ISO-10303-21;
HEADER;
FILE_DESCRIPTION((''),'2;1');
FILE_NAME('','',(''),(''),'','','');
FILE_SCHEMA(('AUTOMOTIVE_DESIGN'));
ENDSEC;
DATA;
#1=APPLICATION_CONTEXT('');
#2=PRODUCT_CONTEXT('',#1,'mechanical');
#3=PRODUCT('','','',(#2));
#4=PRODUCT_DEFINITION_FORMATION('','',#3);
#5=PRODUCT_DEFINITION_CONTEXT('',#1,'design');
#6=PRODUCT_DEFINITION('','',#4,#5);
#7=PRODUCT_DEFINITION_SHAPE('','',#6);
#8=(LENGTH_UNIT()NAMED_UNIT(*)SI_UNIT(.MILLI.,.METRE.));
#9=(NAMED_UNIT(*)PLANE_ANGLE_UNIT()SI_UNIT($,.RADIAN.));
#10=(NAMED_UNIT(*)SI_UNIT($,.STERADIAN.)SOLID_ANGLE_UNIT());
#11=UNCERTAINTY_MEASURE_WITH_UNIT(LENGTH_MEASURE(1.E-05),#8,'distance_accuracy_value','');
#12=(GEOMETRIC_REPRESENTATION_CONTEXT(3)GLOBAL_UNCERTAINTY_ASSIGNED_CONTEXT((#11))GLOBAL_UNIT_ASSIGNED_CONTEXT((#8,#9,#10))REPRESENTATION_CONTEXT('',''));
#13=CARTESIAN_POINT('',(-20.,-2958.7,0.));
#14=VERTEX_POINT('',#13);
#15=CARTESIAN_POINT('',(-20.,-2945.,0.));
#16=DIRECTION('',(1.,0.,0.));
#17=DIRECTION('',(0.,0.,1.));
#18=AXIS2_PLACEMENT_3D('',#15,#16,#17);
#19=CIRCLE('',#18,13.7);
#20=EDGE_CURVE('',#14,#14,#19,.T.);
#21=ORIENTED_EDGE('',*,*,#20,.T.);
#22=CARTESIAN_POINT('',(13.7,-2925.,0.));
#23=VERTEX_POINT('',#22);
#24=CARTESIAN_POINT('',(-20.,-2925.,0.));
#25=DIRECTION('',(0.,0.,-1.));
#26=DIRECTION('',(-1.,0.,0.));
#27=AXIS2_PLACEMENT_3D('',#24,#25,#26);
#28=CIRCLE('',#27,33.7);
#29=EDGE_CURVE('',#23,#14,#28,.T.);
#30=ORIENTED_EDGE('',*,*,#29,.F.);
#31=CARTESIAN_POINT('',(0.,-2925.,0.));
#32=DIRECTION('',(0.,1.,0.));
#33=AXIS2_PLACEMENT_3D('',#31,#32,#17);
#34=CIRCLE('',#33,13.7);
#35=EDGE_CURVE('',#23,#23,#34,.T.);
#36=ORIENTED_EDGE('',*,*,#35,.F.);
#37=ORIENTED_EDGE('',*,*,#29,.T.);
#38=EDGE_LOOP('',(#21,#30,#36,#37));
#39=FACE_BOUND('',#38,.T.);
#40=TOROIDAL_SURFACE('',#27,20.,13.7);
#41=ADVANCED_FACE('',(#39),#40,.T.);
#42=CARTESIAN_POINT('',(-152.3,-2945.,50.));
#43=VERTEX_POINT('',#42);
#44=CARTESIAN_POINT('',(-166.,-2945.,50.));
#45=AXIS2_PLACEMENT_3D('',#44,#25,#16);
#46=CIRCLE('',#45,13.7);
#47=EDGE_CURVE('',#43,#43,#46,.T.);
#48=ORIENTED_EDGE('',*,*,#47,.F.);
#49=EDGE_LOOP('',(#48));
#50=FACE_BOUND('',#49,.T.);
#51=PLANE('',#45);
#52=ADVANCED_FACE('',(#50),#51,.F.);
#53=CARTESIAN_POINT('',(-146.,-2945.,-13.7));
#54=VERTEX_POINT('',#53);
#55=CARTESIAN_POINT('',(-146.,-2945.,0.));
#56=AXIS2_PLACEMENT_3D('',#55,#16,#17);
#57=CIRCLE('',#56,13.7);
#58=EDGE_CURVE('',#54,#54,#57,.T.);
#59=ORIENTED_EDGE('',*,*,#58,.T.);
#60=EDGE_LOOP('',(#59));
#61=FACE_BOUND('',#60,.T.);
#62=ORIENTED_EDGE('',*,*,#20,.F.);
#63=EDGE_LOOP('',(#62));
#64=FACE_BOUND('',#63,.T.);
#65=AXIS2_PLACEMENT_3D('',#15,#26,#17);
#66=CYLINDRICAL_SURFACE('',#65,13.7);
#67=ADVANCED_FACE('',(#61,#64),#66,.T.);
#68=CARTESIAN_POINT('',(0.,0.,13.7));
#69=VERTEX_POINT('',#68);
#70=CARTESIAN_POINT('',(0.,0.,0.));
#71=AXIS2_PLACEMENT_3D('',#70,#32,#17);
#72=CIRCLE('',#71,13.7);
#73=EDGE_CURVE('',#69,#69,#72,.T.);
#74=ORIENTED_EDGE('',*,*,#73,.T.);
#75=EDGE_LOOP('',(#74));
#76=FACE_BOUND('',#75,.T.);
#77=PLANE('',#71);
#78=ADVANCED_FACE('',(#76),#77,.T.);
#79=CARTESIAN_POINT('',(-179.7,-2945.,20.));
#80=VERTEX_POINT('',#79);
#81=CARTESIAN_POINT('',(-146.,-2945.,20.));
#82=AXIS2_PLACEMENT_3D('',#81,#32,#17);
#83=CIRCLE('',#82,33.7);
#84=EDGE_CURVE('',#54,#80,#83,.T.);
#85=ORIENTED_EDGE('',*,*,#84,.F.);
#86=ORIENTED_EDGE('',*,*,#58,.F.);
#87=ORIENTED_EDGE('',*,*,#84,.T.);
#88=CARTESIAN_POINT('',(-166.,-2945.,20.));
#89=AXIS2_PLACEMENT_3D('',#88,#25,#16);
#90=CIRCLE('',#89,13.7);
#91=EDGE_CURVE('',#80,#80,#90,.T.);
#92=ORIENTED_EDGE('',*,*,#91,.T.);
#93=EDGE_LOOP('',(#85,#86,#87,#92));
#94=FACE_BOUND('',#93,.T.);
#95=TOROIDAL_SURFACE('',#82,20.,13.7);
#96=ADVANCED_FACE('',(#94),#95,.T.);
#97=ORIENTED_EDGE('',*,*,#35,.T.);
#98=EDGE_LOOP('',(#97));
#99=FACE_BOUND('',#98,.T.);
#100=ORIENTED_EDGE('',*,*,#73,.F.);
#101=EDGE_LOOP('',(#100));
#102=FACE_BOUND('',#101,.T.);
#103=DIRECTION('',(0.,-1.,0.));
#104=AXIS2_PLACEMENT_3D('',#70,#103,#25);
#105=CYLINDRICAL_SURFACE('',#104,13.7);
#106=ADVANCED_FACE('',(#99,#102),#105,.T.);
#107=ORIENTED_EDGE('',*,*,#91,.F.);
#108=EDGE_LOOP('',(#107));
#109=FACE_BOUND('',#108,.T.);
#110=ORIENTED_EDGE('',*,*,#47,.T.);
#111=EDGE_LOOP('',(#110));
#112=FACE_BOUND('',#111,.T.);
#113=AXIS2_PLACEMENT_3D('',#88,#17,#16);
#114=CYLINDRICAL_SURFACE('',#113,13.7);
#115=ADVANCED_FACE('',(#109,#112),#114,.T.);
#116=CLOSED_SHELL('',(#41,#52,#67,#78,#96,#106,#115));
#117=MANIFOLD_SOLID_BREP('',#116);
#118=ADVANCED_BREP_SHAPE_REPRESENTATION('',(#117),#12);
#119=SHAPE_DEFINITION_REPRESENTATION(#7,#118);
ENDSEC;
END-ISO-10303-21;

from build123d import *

# Parameters (mm, degrees)
CROQUIS1_R = 13.7


with BuildPart() as part:
    # Barrer1: sweep along a curve in space
    with BuildLine() as barrer1_path:
        Line((0, 0, 0), (0, -2925, 0))
        ThreePointArc((0, -2925, 0), (-5.857864376, -2939.142135624, 0), (-20, -2945, 0))
        Line((-20, -2945, 0), (-146, -2945, 0))
        ThreePointArc((-146, -2945, 0), (-160.142135624, -2945, 5.857864376), (-166, -2945, 20))
        Line((-166, -2945, 20), (-166, -2945, 50))
    # Croquis1 → Barrer1 (sweep)
    with BuildSketch(Plane(origin=(0, 0, 0), x_dir=(1, 0, 0), z_dir=(0, 1, 0))):
        Circle(CROQUIS1_R)
    sweep(path=barrer1_path.line)


solid = part.part
